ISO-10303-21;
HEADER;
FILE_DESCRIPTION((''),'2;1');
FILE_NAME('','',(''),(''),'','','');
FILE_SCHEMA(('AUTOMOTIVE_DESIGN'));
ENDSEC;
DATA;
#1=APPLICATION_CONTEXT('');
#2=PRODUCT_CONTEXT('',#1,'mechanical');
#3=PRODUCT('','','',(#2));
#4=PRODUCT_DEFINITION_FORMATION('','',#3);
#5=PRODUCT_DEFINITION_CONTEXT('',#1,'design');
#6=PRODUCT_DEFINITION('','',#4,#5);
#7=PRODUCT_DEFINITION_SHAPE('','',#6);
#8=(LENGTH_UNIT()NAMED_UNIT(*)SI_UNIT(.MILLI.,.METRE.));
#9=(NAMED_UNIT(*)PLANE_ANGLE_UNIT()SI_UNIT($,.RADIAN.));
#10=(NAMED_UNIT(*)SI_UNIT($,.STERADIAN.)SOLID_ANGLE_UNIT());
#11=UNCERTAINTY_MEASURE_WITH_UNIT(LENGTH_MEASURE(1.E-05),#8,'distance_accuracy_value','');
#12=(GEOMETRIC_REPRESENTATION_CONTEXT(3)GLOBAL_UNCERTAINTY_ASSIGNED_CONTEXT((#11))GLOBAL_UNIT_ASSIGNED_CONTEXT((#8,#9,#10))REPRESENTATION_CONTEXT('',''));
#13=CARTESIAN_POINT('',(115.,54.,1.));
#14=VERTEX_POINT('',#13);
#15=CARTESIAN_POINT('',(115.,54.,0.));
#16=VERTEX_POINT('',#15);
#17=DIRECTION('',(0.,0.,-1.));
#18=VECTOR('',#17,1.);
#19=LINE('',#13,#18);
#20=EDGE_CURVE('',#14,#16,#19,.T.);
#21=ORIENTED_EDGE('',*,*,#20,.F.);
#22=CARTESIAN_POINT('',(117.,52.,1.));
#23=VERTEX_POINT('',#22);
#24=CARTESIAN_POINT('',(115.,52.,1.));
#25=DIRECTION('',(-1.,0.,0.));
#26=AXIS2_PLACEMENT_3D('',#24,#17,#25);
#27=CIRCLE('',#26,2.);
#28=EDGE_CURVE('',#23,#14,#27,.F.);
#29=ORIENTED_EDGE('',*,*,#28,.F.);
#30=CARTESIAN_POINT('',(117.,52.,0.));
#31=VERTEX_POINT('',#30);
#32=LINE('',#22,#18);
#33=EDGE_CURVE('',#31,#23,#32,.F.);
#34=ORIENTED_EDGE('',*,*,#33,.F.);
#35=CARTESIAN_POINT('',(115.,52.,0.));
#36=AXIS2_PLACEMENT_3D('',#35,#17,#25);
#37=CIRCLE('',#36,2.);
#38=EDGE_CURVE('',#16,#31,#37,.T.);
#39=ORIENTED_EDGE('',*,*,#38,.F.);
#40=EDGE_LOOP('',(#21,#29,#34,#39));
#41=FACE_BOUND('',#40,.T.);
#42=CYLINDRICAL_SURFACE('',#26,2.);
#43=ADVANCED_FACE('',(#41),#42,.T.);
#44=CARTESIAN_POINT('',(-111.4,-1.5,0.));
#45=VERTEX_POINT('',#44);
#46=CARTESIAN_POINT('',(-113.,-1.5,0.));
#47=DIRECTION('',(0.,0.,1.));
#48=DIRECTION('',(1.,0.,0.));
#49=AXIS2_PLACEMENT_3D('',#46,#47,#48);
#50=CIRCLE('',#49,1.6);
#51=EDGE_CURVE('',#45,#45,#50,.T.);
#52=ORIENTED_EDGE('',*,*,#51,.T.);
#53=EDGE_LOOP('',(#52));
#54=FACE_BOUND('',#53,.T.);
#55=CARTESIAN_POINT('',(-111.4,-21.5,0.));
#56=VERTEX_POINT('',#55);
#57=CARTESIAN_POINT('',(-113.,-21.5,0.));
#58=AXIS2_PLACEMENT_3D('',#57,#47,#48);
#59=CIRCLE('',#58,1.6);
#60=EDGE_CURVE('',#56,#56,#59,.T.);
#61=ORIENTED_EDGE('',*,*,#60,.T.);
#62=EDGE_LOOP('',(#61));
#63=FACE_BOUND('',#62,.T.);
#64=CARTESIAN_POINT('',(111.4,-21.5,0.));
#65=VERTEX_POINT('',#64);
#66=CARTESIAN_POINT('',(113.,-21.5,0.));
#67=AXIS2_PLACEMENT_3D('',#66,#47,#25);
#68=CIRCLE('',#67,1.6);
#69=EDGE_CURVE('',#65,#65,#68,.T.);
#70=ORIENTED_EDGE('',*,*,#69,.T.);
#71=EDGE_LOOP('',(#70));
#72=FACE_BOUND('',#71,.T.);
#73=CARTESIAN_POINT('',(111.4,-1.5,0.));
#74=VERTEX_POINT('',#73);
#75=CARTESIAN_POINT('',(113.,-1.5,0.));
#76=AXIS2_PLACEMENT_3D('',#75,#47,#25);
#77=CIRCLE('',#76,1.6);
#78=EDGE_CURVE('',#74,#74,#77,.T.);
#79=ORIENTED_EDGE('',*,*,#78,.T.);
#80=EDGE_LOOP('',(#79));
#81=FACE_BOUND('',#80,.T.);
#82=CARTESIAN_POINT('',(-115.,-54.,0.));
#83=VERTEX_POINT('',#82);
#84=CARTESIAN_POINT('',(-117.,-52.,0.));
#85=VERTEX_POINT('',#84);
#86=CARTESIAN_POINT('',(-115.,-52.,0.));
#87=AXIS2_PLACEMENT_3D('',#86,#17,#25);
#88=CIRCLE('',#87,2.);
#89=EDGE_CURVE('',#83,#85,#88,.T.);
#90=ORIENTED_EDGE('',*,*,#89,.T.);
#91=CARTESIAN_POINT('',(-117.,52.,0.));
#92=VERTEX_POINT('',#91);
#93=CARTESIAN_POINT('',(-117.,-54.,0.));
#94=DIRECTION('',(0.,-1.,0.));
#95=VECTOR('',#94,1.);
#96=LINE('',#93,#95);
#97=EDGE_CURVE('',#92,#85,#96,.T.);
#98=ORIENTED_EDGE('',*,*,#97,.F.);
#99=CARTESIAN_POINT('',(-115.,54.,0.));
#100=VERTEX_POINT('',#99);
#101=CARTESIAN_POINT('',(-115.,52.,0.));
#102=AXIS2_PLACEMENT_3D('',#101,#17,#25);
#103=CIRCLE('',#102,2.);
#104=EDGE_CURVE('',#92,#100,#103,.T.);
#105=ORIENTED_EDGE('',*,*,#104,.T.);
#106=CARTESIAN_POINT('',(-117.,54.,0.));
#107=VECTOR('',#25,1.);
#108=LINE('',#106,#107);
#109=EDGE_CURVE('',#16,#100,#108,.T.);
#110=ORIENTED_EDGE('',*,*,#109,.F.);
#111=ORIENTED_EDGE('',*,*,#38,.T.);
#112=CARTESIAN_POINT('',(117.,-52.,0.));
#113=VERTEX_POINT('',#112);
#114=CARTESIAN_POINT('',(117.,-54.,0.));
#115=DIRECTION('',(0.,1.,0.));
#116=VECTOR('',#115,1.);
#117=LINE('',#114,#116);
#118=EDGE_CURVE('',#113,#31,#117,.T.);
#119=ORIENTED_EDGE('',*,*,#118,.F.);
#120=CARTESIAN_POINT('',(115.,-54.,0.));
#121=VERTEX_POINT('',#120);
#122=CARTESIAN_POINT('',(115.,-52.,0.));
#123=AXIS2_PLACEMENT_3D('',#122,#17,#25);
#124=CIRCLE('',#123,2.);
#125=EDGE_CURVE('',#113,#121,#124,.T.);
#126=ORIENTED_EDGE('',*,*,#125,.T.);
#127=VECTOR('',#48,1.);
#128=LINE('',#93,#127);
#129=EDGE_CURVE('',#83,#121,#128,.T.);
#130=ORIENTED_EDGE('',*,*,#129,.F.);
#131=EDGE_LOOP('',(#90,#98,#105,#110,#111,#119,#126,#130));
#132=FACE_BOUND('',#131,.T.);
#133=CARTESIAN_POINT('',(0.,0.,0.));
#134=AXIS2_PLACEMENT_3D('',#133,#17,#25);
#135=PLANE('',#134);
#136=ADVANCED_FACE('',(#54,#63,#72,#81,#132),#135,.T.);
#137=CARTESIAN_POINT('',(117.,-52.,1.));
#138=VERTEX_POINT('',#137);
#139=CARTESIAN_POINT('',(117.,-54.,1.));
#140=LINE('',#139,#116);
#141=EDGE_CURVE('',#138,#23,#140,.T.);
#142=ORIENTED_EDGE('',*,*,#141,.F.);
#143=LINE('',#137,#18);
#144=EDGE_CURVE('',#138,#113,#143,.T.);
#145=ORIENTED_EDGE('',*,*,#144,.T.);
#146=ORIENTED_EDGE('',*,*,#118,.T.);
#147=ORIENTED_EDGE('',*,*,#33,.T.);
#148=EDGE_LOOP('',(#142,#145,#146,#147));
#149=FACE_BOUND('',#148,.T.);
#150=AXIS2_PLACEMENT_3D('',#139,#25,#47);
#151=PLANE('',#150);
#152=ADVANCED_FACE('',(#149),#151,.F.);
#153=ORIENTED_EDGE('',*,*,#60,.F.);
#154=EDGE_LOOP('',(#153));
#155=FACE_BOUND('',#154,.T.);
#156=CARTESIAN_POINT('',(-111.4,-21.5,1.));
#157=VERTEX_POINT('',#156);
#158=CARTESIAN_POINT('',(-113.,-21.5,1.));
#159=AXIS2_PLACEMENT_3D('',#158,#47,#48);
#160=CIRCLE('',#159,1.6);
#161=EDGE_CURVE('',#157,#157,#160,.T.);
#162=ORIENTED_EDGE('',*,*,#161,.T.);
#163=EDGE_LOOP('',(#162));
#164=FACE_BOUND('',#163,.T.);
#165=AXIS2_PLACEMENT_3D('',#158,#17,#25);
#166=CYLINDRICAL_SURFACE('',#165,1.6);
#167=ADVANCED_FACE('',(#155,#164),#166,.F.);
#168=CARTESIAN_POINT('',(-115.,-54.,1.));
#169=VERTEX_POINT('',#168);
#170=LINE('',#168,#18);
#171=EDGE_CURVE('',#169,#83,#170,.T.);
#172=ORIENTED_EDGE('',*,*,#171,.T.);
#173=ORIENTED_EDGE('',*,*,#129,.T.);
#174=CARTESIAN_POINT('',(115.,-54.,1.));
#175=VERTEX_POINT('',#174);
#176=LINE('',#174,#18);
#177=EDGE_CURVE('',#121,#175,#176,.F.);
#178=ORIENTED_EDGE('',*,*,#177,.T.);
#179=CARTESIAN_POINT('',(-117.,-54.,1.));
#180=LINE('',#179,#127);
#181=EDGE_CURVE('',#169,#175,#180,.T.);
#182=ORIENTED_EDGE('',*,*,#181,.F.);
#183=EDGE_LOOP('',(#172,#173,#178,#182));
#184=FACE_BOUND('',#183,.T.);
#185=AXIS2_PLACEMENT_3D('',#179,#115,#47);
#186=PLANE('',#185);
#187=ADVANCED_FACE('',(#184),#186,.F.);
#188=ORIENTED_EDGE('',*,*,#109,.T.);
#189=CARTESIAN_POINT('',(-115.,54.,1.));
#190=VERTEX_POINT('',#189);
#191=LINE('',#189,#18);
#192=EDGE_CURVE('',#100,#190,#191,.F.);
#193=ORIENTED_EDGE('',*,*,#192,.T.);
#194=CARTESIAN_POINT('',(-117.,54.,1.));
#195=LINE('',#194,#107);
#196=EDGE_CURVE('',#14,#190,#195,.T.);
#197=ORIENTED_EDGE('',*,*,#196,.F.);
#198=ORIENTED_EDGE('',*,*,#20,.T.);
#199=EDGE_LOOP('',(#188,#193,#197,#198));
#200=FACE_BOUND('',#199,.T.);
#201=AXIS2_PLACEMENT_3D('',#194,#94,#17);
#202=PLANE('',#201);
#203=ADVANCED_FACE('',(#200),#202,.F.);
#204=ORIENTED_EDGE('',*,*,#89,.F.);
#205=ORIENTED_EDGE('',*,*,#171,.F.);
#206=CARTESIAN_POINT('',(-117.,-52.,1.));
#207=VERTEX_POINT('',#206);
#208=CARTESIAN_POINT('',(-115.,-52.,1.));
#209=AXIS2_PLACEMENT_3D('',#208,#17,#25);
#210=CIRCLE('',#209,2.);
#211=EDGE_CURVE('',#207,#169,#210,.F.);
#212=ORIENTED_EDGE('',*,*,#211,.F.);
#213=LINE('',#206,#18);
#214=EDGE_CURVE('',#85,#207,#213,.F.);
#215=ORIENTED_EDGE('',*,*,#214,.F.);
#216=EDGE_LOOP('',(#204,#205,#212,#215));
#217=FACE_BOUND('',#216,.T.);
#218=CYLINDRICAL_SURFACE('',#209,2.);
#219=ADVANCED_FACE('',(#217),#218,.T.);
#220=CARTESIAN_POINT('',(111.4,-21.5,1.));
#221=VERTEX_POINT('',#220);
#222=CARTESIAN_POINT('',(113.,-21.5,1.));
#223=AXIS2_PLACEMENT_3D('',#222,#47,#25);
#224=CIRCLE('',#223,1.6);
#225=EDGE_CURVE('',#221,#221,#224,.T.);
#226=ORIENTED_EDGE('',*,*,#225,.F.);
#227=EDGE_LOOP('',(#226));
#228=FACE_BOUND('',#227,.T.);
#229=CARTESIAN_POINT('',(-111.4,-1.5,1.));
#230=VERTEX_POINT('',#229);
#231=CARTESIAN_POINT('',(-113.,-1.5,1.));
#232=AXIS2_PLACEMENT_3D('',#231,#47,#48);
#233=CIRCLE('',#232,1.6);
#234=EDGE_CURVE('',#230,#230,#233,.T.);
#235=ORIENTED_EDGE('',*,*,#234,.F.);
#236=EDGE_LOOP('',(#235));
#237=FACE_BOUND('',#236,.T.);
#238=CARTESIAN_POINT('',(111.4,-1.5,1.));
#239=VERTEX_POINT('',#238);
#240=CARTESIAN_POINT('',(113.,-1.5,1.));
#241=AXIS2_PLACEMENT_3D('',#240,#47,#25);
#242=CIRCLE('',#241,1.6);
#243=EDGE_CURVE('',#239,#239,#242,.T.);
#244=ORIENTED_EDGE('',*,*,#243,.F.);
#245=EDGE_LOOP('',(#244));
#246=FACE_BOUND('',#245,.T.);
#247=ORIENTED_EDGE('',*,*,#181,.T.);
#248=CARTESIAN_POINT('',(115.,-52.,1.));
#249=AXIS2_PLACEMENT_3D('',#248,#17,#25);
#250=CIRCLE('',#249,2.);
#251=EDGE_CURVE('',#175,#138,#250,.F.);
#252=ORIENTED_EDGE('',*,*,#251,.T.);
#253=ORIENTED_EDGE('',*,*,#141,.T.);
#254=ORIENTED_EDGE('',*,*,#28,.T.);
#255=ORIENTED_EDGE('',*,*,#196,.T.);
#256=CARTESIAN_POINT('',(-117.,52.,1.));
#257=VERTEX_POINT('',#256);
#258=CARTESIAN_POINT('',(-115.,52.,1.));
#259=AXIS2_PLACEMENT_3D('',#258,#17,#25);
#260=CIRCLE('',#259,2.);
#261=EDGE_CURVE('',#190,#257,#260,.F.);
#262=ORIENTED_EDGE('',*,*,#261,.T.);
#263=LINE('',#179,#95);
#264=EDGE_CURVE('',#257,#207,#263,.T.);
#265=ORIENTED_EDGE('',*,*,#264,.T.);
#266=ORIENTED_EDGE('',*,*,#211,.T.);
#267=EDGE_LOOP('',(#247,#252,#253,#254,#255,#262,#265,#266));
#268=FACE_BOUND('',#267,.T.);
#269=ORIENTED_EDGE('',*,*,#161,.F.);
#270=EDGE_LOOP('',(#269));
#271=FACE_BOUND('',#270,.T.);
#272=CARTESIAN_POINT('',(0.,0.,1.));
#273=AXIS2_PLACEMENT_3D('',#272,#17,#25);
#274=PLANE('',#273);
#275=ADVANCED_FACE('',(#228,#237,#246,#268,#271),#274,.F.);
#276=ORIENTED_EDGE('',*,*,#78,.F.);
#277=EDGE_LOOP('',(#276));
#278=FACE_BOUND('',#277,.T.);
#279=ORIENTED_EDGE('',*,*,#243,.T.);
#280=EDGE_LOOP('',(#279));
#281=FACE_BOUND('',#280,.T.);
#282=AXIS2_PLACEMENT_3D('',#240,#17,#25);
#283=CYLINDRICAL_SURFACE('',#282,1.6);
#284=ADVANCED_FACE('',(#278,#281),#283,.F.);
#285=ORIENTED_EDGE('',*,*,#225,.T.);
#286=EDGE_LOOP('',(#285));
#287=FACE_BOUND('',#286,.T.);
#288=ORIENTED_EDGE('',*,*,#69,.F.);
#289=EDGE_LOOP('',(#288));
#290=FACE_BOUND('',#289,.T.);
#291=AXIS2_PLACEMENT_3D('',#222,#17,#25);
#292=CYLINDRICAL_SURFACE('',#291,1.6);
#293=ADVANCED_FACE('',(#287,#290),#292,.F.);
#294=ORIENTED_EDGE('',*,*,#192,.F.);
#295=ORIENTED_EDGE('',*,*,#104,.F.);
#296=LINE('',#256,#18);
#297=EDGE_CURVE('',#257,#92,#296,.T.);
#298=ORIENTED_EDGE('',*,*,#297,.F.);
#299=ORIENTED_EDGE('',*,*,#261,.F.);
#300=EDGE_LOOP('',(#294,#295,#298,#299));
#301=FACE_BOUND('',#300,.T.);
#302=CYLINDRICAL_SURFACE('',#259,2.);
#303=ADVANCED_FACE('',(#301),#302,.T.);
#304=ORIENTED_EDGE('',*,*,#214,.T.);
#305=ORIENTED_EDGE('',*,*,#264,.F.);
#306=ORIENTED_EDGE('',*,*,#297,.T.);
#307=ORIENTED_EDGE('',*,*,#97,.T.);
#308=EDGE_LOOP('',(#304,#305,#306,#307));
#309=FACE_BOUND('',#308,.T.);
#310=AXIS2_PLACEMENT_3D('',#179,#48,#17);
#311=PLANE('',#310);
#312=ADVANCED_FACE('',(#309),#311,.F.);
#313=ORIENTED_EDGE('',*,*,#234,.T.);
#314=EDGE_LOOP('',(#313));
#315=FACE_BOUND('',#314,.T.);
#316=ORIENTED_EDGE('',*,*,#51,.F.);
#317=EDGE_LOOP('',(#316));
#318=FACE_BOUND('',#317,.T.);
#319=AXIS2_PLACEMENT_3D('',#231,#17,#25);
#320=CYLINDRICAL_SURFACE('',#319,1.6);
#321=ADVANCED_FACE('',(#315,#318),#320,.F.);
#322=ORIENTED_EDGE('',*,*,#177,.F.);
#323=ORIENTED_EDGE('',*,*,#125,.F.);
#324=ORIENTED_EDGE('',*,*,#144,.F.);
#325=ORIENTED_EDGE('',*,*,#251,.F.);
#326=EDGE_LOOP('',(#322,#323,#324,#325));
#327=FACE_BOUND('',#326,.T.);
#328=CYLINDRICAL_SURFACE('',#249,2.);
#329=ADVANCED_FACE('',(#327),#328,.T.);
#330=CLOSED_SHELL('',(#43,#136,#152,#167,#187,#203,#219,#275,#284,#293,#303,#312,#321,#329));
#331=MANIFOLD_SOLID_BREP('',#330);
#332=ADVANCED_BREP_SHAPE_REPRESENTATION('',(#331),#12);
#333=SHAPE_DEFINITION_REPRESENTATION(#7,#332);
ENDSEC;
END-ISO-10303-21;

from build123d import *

# Parameters (mm, degrees)
SKETCH_1_W      = 234
SKETCH_1_H      = 108
SKETCH_1_R      = 1.6
EXTRUDE_1_DEPTH = 1
FILLET_1_R      = 2


with BuildPart() as part:
    # 草图1 → 凸台-拉伸1 (new body)
    with BuildSketch(Plane.XY):
        Rectangle(SKETCH_1_W, SKETCH_1_H)
        with Locations((-113, -1.5)):
            Circle(SKETCH_1_R, mode=Mode.SUBTRACT)
        with Locations((-113, -21.5)):
            Circle(SKETCH_1_R, mode=Mode.SUBTRACT)
        with Locations(Location((113, -21.5, 0), (0, 0, 180))):
            Circle(SKETCH_1_R, mode=Mode.SUBTRACT)
        with Locations(Location((113, -1.5, 0), (0, 0, 180))):
            Circle(SKETCH_1_R, mode=Mode.SUBTRACT)
    extrude(amount=EXTRUDE_1_DEPTH)

    # 圆角1
    fillet_1_edges = [part.edges().sort_by_distance(p)[0] for p in [
        (117, -54, 0.5),
        (-117, -54, 0.5),
        (-117, 54, 0.5),
        (117, 54, 0.5),
    ]]
    fillet(fillet_1_edges, radius=FILLET_1_R)


solid = part.part
